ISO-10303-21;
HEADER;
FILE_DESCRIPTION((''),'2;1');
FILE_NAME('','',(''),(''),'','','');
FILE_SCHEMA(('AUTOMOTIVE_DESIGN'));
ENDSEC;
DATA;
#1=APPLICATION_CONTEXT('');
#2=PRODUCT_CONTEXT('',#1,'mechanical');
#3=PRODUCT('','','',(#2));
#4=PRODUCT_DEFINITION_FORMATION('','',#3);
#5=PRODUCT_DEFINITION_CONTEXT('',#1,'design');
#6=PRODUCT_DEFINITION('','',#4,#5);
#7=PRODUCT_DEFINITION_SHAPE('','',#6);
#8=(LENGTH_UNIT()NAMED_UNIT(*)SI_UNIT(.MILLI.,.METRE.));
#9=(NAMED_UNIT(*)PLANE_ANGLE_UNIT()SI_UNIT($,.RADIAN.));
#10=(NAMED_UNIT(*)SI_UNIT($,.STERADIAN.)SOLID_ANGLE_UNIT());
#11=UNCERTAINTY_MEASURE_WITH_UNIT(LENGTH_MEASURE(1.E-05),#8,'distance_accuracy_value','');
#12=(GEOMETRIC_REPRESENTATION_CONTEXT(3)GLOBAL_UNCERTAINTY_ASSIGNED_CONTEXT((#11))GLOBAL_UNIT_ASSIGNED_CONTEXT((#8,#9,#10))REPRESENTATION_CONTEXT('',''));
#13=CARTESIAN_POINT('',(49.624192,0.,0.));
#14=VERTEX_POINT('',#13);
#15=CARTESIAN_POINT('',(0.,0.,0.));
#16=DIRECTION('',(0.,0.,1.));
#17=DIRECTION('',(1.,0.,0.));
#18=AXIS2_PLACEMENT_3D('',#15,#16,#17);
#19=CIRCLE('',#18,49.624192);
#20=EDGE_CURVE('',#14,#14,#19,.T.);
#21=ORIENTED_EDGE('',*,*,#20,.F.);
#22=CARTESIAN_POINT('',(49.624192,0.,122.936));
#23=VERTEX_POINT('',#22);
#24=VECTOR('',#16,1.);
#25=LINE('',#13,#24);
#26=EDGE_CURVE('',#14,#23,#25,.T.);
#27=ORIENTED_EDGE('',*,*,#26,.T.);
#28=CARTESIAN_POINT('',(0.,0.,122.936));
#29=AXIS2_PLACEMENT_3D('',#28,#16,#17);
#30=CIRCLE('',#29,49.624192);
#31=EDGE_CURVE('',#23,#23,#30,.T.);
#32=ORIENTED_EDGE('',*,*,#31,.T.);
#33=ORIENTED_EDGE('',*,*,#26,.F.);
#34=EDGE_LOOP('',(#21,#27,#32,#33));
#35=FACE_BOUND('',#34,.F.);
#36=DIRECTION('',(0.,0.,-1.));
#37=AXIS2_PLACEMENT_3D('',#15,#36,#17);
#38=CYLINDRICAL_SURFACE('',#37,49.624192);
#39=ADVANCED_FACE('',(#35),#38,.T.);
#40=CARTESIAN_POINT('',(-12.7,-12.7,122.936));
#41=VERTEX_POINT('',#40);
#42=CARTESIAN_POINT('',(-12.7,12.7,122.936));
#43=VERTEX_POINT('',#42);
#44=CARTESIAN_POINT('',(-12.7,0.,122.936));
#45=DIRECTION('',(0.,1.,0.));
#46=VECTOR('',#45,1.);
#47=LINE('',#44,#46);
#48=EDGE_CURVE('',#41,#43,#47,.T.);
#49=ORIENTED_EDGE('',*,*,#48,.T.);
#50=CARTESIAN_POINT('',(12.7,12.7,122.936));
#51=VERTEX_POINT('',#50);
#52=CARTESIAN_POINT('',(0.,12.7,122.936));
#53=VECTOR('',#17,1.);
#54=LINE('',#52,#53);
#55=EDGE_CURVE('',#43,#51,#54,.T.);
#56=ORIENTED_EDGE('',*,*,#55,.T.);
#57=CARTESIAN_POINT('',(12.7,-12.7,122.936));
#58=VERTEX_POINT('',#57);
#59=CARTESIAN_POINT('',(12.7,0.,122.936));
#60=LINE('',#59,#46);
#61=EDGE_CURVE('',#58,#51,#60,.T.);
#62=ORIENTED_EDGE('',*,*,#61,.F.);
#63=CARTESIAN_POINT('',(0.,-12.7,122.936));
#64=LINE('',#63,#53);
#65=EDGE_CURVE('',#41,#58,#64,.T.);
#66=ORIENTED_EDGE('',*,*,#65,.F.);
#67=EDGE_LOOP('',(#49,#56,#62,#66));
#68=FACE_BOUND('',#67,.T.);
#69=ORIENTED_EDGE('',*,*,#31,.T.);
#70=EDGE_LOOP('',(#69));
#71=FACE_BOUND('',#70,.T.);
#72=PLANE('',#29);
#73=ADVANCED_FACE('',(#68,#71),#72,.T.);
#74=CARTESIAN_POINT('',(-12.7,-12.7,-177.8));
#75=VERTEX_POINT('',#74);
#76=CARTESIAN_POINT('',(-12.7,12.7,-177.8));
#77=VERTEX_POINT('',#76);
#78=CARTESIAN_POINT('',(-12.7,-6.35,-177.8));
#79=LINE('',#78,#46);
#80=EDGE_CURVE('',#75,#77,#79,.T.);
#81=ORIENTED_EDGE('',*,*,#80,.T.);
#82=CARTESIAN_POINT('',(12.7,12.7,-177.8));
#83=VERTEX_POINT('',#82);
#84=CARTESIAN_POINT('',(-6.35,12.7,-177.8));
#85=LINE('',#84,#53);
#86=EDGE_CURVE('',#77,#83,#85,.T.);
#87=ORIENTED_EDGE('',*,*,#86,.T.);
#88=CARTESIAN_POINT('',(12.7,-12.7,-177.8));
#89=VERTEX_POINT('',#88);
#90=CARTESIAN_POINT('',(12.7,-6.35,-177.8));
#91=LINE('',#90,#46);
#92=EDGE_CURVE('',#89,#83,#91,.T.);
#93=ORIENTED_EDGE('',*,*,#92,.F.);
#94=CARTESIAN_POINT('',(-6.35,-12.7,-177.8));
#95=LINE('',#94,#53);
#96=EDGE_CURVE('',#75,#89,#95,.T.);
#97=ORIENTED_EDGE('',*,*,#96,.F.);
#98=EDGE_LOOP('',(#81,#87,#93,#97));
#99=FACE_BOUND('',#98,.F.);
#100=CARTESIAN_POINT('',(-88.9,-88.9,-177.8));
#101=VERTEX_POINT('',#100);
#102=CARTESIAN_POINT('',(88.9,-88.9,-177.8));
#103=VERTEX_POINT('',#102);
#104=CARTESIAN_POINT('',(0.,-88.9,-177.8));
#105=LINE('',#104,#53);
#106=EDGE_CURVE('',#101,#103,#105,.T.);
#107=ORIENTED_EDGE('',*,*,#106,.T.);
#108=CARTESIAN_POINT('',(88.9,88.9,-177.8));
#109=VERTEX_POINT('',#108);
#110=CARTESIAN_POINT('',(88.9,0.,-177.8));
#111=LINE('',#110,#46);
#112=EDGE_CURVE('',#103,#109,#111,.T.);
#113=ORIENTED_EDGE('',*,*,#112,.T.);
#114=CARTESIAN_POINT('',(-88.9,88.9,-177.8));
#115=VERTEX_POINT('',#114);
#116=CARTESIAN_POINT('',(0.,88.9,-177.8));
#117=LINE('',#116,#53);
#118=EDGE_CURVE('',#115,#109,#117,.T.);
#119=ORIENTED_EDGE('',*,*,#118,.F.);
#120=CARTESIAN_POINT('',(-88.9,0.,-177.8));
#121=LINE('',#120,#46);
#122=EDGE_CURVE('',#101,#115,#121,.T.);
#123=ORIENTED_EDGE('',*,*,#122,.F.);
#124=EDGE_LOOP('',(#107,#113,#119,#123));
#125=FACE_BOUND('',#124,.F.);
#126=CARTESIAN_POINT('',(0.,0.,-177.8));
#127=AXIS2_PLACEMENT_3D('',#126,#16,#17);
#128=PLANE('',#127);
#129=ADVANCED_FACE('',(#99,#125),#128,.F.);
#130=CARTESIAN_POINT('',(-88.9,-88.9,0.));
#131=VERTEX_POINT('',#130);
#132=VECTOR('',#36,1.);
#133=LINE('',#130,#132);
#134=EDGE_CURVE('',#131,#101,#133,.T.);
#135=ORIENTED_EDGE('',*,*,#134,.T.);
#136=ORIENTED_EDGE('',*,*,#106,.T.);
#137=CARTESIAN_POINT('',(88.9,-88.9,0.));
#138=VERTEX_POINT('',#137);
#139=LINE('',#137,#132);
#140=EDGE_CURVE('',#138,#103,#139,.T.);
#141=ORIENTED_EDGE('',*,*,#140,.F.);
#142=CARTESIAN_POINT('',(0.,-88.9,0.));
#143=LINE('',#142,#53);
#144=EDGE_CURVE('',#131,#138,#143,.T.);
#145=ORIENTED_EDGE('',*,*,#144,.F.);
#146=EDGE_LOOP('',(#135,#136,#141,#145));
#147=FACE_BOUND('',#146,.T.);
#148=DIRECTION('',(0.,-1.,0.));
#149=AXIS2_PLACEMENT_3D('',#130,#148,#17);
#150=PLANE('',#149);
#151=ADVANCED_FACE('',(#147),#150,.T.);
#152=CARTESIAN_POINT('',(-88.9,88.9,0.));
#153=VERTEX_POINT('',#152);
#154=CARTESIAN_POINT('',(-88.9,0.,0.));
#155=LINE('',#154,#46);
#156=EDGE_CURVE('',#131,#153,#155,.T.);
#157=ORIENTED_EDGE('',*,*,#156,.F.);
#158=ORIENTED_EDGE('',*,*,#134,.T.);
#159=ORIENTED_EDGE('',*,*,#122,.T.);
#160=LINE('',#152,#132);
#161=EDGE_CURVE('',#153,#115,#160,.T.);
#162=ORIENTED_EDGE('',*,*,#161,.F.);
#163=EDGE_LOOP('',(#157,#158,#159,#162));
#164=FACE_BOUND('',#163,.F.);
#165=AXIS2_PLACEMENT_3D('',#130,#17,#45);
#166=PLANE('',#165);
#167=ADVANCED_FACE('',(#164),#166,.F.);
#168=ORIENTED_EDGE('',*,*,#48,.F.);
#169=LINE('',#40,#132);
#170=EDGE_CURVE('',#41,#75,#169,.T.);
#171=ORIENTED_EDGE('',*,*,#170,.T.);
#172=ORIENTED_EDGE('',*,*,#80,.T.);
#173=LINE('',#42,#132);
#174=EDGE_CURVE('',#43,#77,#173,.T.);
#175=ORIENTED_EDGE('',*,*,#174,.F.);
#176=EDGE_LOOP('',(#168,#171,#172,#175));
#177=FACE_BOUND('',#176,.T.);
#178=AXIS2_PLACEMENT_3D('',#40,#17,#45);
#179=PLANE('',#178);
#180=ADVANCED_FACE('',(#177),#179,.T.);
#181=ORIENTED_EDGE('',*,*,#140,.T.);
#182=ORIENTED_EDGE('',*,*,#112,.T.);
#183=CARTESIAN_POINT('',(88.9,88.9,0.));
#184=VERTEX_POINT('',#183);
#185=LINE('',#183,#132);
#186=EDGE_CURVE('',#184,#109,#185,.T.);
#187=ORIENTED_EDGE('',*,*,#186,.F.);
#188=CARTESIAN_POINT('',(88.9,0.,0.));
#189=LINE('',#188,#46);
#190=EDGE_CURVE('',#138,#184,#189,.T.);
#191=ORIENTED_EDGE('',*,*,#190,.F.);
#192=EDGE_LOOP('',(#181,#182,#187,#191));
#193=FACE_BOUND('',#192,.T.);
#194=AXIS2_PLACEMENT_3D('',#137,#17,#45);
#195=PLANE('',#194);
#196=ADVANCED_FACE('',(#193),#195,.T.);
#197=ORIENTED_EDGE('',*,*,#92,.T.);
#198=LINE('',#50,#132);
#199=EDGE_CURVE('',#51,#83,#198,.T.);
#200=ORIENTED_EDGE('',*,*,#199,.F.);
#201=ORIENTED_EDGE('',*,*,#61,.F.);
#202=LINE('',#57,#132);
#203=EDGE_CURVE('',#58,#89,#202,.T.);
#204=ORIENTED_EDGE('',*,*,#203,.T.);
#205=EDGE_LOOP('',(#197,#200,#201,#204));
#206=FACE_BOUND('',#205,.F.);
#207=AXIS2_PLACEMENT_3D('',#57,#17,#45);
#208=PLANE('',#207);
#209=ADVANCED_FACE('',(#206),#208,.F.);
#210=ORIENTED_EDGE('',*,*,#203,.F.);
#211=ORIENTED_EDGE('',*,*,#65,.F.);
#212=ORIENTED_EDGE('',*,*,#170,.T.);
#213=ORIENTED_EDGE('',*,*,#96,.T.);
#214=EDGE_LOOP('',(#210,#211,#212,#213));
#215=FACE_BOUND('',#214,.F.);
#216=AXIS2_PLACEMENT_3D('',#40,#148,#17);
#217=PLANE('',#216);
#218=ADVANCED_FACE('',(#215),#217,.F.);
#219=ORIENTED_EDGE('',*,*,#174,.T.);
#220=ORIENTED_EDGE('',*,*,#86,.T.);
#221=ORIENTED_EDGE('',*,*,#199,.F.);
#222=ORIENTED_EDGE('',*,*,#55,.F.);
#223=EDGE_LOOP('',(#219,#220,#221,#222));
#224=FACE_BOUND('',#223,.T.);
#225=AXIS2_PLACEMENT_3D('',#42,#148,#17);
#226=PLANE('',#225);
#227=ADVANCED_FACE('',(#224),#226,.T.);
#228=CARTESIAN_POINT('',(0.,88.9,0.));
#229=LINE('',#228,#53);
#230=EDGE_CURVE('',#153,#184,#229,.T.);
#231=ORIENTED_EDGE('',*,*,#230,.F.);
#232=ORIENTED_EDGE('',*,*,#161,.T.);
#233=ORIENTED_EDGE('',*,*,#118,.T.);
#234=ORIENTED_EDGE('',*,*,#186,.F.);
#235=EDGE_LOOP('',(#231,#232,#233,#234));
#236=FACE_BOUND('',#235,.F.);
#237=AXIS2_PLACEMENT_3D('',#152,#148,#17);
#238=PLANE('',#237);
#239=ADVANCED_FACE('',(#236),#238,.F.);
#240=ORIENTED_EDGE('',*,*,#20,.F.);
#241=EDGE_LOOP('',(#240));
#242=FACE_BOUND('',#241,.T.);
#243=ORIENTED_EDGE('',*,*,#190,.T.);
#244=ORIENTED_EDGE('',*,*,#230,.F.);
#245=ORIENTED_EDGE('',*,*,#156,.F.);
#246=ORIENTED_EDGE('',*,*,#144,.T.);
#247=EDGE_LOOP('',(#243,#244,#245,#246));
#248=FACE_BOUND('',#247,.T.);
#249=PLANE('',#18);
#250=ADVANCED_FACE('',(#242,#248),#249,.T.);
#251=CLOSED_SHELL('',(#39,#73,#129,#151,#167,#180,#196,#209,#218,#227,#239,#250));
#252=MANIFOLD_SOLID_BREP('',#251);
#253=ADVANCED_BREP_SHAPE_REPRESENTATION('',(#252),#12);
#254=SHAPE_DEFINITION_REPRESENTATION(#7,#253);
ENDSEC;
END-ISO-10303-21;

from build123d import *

# Parameters (mm, degrees)
F0_R     = 49.624192
F1_DEPTH = 122.936
F2_W     = 177.8
F2_H     = 177.8
F3_DEPTH = 177.8
F4_W     = 25.4
F4_H     = 25.4
F5_DEPTH = 376.936


with BuildPart() as f1:
    # F0 (on Top) → F1 (new body)
    with BuildSketch(Plane.XY):
        Circle(F0_R)
    extrude(amount=F1_DEPTH)

    # F2 (on Top) → F3 (join)
    with BuildSketch(Plane.XY):
        Rectangle(F2_W, F2_H)
    extrude(amount=-F3_DEPTH)

    # F4 (on face) → F5 (cut)
    with BuildSketch(Plane.XY.offset(122.936)):
        Rectangle(F4_W, F4_H)
    extrude(amount=-F5_DEPTH, mode=Mode.SUBTRACT)


solid = f1.part
